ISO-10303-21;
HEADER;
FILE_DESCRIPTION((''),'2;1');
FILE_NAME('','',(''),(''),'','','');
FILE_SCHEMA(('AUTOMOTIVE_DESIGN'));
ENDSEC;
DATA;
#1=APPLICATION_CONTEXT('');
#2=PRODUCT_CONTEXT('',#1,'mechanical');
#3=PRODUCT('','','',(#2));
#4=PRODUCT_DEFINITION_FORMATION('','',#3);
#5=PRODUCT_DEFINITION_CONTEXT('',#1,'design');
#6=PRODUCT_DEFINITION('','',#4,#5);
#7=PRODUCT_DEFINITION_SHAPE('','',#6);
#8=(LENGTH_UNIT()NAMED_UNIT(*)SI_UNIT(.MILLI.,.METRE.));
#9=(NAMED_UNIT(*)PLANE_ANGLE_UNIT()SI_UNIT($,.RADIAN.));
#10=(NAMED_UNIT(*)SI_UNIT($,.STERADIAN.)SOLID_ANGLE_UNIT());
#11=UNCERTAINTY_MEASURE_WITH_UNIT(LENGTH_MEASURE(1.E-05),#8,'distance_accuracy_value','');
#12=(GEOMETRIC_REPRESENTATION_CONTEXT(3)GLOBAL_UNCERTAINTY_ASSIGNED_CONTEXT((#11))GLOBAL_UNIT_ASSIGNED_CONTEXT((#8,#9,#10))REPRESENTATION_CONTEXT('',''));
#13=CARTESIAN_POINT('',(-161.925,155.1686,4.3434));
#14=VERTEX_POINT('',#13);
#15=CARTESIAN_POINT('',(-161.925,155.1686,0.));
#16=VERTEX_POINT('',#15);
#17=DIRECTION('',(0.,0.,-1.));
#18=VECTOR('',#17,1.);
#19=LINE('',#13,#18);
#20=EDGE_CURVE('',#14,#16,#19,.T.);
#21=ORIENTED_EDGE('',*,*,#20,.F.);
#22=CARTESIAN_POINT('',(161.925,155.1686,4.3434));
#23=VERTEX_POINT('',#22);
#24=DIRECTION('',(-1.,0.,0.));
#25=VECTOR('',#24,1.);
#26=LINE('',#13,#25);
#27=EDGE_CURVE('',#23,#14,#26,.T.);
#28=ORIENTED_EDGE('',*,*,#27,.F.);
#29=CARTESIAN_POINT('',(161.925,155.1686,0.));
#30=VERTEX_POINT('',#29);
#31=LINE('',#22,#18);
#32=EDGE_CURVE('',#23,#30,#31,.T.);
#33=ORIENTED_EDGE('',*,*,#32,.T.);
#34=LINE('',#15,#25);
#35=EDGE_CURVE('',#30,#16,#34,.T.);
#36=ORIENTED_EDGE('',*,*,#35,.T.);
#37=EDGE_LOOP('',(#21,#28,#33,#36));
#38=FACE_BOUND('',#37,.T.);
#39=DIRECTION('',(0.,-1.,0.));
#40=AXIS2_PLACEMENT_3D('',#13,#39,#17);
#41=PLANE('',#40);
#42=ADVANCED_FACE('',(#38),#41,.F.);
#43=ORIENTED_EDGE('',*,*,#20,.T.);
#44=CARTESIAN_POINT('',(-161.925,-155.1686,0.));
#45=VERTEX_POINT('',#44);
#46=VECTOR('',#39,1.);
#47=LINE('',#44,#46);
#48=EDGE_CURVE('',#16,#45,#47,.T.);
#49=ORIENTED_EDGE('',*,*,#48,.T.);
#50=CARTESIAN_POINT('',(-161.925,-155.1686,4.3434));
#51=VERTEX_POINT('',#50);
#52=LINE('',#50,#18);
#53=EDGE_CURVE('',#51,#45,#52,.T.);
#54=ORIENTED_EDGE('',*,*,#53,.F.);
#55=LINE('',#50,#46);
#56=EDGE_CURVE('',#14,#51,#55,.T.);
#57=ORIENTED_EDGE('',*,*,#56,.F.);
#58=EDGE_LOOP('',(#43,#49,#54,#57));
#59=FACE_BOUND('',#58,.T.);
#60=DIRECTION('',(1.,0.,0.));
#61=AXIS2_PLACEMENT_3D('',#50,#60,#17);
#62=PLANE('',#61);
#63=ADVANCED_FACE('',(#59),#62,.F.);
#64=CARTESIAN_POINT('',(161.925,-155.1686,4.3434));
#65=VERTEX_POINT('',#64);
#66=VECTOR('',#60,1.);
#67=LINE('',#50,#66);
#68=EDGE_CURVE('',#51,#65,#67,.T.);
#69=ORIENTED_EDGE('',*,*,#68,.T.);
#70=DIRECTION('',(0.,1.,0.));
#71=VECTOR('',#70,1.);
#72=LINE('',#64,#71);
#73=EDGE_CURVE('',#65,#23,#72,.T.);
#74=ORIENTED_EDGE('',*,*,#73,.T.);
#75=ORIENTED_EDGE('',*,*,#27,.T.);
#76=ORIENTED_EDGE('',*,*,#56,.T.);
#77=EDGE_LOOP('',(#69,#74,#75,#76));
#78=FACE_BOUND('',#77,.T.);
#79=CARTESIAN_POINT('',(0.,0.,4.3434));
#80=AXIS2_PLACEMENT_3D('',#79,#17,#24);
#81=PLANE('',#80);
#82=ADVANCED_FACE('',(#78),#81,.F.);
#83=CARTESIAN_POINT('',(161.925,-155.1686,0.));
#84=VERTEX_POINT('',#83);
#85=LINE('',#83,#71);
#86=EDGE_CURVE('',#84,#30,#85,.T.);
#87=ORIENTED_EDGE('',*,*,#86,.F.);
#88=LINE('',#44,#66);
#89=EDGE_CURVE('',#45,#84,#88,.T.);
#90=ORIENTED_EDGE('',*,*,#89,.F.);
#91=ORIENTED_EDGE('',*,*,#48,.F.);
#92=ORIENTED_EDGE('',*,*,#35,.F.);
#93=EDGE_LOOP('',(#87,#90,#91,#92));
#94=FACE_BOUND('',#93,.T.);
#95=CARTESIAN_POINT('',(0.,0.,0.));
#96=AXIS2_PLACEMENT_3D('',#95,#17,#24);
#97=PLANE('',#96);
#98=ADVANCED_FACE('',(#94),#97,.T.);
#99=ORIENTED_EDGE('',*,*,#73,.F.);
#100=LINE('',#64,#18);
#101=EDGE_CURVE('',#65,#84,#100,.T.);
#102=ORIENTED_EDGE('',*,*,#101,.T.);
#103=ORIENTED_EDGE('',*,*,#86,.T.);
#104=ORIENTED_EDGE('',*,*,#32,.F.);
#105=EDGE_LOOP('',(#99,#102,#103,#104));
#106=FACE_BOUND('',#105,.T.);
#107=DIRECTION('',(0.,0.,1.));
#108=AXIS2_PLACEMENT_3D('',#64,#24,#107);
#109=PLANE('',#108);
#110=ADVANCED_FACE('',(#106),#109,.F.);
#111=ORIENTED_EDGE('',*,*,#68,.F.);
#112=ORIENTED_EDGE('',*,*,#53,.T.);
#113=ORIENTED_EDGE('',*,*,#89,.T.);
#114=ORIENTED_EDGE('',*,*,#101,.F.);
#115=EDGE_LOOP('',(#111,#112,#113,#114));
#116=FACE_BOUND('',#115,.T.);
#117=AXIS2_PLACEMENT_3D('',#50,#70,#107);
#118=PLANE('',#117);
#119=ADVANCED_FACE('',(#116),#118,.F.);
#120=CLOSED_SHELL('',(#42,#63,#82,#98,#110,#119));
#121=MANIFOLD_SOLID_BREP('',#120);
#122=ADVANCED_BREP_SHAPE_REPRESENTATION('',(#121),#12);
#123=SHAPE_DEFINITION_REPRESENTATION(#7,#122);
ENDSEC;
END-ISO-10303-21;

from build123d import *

# Parameters (mm, degrees)
SKETCH1_W           = 323.85
SKETCH1_H           = 310.3372
BOSS_EXTRUDE1_DEPTH = 4.3434


with BuildPart() as part:
    # Sketch1 → Boss-Extrude1 (new body)
    with BuildSketch(Plane.XY):
        Rectangle(SKETCH1_W, SKETCH1_H)
    extrude(amount=BOSS_EXTRUDE1_DEPTH)


solid = part.part
